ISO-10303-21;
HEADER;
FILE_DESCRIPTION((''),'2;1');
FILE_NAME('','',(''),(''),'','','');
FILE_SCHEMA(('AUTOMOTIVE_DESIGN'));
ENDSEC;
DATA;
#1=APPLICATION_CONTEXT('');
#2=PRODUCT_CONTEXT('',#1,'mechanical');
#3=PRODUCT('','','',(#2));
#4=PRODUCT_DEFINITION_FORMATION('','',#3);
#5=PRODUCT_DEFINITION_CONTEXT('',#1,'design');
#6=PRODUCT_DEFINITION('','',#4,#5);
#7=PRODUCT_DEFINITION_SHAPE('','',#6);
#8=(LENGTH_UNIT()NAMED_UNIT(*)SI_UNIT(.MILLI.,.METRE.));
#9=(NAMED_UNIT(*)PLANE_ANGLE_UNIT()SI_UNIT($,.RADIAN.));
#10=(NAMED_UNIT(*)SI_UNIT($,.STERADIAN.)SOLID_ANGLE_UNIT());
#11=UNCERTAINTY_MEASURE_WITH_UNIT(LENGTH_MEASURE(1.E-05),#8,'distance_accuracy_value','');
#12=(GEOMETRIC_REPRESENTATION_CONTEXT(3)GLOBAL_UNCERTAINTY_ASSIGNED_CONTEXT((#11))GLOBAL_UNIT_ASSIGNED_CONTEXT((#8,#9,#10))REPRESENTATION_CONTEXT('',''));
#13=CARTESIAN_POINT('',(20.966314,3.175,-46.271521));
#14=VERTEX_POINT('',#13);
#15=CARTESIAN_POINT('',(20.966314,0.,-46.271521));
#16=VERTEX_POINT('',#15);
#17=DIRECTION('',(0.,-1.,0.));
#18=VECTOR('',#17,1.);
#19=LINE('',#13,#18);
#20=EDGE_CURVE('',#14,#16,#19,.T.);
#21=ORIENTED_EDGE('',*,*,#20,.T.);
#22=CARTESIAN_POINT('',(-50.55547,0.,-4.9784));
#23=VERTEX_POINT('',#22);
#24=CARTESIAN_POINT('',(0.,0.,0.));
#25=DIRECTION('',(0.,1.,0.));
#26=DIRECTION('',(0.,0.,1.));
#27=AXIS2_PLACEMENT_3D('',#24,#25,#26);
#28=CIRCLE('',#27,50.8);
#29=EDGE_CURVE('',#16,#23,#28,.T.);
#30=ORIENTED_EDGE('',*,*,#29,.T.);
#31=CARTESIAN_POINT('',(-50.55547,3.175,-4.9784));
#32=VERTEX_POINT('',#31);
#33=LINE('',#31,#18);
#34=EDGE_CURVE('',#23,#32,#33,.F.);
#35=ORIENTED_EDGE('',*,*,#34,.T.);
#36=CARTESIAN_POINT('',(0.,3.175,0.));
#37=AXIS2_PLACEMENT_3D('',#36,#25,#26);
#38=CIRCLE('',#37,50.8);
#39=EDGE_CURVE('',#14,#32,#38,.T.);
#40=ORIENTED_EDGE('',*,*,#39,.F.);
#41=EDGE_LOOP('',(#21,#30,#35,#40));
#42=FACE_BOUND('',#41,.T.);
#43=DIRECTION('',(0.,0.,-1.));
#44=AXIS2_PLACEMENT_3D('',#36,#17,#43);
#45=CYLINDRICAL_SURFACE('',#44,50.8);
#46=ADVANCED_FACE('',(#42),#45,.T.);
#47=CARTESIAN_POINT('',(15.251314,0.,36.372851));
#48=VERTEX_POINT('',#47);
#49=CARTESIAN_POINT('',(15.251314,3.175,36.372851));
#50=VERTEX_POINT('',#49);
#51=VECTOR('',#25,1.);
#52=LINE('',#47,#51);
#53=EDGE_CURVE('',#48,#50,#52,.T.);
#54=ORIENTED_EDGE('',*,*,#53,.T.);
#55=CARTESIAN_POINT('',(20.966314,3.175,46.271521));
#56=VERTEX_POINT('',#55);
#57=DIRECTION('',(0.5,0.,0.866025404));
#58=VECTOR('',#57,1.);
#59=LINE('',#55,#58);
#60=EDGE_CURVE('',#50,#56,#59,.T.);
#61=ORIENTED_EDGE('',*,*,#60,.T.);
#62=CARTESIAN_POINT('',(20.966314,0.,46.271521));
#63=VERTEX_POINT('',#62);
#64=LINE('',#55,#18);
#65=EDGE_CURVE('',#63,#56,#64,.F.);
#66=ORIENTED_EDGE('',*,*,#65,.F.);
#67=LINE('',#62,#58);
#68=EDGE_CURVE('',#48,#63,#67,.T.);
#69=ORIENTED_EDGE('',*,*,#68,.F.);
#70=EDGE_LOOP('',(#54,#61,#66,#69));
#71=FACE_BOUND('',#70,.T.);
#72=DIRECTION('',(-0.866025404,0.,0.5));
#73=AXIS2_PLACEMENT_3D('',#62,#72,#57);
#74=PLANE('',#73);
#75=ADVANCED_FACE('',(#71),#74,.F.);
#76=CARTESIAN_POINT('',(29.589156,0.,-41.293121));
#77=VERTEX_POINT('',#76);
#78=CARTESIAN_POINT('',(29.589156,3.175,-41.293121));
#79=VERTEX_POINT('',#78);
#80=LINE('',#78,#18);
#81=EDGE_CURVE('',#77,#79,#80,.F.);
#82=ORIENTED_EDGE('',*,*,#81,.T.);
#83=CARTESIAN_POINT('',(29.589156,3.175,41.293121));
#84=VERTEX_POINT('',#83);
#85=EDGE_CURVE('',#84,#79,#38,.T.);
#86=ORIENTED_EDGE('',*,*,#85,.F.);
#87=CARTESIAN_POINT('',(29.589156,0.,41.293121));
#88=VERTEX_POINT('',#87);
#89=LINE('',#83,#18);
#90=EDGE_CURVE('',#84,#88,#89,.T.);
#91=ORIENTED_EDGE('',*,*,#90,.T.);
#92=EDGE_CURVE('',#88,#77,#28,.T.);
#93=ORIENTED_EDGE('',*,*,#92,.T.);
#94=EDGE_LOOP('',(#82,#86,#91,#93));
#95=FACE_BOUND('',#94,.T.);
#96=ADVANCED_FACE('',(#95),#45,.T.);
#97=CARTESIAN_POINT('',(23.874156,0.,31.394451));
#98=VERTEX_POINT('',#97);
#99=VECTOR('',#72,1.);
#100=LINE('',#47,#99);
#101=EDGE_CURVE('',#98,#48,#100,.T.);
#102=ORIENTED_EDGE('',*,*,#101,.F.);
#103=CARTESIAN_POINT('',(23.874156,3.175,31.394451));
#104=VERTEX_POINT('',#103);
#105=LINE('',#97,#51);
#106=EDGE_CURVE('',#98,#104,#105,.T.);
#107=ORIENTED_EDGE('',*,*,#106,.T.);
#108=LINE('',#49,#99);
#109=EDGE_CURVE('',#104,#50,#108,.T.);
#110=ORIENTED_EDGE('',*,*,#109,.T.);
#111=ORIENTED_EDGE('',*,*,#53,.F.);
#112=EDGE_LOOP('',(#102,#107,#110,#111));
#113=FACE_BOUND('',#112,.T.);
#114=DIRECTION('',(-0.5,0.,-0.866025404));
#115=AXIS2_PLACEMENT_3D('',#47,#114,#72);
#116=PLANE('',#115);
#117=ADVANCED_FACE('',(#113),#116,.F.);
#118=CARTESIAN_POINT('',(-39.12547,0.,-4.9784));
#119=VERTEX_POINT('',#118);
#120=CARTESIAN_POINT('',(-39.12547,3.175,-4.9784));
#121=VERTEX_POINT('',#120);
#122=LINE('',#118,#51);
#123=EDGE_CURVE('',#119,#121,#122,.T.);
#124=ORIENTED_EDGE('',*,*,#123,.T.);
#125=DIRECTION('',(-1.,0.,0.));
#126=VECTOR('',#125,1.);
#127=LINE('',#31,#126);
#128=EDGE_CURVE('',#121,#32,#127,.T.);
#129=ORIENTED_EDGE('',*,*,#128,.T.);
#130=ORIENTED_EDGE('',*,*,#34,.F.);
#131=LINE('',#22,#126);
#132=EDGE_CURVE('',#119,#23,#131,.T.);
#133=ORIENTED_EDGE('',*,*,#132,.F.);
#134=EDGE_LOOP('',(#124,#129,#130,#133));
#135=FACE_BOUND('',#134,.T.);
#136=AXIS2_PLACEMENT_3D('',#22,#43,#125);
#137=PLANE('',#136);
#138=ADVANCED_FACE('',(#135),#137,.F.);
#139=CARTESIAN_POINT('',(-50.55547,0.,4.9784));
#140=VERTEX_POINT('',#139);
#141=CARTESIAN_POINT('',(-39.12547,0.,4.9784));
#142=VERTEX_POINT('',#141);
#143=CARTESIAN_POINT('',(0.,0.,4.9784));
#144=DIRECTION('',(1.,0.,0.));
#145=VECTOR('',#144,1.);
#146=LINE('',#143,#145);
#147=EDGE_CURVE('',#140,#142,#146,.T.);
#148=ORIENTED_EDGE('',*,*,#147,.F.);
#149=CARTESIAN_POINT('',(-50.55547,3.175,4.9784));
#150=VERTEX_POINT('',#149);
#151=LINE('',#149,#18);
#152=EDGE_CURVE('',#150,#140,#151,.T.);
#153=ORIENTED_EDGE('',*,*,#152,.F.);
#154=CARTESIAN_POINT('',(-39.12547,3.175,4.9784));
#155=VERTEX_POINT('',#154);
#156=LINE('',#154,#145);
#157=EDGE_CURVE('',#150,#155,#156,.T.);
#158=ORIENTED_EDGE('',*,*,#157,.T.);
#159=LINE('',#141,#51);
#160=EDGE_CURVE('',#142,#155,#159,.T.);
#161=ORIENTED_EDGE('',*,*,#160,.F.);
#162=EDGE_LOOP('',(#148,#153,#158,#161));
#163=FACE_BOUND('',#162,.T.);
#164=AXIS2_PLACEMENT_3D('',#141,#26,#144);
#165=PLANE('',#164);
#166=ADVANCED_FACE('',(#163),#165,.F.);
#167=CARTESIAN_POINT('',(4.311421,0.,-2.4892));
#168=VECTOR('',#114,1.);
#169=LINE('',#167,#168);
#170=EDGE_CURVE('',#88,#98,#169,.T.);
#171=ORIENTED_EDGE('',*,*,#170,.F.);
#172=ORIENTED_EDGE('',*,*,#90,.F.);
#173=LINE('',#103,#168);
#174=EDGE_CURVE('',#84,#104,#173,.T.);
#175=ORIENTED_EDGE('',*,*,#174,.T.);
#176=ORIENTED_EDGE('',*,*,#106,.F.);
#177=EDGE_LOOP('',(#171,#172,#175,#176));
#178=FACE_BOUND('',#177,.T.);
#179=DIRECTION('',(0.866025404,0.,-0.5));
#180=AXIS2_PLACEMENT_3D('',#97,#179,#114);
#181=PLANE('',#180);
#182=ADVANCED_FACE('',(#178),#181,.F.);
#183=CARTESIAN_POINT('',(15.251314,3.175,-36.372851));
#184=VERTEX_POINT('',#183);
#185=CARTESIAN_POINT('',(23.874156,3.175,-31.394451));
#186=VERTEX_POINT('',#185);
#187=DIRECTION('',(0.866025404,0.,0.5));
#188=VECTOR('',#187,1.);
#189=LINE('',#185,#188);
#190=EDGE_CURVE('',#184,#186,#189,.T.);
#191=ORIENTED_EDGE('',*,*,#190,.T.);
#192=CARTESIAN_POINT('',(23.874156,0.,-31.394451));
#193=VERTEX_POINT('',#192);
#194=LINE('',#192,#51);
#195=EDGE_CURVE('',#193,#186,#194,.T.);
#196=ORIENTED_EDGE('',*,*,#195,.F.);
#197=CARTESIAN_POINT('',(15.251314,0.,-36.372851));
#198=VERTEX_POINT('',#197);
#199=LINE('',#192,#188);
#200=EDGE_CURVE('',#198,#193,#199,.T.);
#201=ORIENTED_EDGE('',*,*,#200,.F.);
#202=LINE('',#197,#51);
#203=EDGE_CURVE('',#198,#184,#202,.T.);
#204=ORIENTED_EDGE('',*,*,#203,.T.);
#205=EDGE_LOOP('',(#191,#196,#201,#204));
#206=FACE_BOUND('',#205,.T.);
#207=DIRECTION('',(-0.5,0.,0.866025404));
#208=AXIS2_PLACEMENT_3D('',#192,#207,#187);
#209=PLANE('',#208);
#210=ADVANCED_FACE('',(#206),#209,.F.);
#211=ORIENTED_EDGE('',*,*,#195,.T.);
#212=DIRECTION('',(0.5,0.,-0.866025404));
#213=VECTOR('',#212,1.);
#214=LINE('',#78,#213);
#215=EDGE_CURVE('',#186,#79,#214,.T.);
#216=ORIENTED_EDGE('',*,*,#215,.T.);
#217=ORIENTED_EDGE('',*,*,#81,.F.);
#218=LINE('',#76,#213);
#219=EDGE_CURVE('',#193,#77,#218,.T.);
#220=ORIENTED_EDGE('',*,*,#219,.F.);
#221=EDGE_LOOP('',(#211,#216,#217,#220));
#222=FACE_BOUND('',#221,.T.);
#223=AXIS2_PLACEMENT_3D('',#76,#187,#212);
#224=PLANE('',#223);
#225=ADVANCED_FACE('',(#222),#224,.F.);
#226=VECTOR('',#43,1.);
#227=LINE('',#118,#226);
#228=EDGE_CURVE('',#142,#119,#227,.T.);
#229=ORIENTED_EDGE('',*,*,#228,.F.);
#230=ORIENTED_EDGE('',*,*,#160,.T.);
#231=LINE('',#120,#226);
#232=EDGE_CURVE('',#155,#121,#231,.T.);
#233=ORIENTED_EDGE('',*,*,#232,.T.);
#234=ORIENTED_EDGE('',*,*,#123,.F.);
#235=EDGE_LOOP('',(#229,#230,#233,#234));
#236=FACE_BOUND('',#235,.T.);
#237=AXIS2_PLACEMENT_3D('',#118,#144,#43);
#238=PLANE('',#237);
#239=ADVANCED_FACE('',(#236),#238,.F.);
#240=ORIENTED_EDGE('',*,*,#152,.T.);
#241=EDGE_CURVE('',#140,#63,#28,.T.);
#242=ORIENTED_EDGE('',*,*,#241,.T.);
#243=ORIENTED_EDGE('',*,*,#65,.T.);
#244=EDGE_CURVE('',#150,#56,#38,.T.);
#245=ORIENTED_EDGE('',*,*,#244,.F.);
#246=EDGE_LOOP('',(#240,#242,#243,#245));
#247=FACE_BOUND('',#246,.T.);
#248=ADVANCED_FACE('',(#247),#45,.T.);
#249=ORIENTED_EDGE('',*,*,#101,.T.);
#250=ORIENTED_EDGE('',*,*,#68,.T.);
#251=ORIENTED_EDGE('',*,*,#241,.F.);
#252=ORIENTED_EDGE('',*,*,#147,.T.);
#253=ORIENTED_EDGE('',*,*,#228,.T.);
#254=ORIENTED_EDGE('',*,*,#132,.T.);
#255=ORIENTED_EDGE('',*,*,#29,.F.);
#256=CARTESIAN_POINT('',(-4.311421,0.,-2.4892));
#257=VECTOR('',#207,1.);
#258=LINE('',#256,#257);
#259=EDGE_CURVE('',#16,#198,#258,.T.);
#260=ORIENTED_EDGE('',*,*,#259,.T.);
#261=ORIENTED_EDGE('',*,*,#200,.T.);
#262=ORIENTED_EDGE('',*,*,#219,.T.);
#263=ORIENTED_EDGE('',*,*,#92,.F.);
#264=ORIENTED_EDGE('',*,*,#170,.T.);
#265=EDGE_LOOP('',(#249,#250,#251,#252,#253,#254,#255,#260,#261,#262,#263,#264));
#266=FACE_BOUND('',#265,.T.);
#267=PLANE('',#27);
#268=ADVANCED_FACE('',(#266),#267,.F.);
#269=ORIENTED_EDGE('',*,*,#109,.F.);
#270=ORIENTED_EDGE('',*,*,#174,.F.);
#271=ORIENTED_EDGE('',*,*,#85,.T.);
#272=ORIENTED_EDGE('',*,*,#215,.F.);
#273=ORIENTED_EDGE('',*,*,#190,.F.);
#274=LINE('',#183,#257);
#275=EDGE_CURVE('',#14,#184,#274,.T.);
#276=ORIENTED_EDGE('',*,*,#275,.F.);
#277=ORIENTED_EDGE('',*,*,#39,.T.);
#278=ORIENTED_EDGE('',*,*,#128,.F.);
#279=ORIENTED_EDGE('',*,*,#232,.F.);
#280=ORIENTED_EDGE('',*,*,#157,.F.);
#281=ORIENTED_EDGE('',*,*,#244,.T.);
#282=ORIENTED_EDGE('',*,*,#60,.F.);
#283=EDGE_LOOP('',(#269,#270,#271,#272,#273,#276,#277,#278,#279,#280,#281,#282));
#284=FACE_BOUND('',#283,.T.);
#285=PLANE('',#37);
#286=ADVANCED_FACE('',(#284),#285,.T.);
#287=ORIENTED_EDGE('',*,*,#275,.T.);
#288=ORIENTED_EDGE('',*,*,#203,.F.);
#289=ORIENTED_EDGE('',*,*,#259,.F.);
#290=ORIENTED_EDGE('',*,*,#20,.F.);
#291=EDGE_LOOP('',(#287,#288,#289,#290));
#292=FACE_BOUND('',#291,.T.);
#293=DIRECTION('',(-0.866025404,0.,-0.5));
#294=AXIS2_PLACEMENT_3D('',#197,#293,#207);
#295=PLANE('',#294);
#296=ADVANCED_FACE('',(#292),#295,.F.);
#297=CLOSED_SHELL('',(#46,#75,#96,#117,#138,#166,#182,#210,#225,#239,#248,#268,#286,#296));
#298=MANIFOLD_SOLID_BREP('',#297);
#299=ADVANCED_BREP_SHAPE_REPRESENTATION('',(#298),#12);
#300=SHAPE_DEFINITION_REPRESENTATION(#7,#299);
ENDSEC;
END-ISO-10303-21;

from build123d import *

# Parameters (mm, degrees)
SKETCH1_R         = 50.8
EXTRUDE1_DEPTH    = 3.175
EXTRUDE2_DEPTH    = 72.912172996
CIRPATTERN1_COUNT = 2
CIRPATTERN1_ANGLE = 120
CIRPATTERN2_COUNT = 2
CIRPATTERN2_ANGLE = 120


with BuildPart() as part:
    # Sketch1 → Extrude1 (new body)
    with BuildSketch(Plane(origin=(0, 0, 0), x_dir=(1, 0, 0), z_dir=(0, 1, 0))):
        with Locations(Location((0, 0, 0), (0, 0, 270))):
            Circle(SKETCH1_R)
    extrude(amount=EXTRUDE1_DEPTH)

    # Sketch3 → Extrude2 (cut, through all)
    with BuildSketch(Plane(origin=(0, 3.175, 0), x_dir=(-1, 0, 0), z_dir=(0, 1, 0))):
        Polygon((42.177913697, -4.9784), (39.125469867, -4.9784), (39.125469867, 4.9784), (42.300469867, 4.9784), (50.555469867, 4.9784), (52.750339101, 4.9784), (52.750339101, -4.9784), (50.555469867, -4.9784), align=None)
    extrude2 = extrude(amount=-EXTRUDE2_DEPTH, mode=Mode.SUBTRACT)

    # CirPattern1: Extrude2 ×2 about axis
    cirpattern1_axis = Axis((0, 38.178274824, 0), (0, -1, 0))
    for i in range(1, CIRPATTERN1_COUNT):
        add(extrude2.rotate(cirpattern1_axis, i * CIRPATTERN1_ANGLE / (CIRPATTERN1_COUNT - 1)), mode=Mode.SUBTRACT)

    # CirPattern2: Extrude2 ×2 about axis
    cirpattern2_axis = Axis((0, 0, 0), (0, 1, 0))
    for i in range(1, CIRPATTERN2_COUNT):
        add(extrude2.rotate(cirpattern2_axis, i * CIRPATTERN2_ANGLE / (CIRPATTERN2_COUNT - 1)), mode=Mode.SUBTRACT)


solid = part.part
